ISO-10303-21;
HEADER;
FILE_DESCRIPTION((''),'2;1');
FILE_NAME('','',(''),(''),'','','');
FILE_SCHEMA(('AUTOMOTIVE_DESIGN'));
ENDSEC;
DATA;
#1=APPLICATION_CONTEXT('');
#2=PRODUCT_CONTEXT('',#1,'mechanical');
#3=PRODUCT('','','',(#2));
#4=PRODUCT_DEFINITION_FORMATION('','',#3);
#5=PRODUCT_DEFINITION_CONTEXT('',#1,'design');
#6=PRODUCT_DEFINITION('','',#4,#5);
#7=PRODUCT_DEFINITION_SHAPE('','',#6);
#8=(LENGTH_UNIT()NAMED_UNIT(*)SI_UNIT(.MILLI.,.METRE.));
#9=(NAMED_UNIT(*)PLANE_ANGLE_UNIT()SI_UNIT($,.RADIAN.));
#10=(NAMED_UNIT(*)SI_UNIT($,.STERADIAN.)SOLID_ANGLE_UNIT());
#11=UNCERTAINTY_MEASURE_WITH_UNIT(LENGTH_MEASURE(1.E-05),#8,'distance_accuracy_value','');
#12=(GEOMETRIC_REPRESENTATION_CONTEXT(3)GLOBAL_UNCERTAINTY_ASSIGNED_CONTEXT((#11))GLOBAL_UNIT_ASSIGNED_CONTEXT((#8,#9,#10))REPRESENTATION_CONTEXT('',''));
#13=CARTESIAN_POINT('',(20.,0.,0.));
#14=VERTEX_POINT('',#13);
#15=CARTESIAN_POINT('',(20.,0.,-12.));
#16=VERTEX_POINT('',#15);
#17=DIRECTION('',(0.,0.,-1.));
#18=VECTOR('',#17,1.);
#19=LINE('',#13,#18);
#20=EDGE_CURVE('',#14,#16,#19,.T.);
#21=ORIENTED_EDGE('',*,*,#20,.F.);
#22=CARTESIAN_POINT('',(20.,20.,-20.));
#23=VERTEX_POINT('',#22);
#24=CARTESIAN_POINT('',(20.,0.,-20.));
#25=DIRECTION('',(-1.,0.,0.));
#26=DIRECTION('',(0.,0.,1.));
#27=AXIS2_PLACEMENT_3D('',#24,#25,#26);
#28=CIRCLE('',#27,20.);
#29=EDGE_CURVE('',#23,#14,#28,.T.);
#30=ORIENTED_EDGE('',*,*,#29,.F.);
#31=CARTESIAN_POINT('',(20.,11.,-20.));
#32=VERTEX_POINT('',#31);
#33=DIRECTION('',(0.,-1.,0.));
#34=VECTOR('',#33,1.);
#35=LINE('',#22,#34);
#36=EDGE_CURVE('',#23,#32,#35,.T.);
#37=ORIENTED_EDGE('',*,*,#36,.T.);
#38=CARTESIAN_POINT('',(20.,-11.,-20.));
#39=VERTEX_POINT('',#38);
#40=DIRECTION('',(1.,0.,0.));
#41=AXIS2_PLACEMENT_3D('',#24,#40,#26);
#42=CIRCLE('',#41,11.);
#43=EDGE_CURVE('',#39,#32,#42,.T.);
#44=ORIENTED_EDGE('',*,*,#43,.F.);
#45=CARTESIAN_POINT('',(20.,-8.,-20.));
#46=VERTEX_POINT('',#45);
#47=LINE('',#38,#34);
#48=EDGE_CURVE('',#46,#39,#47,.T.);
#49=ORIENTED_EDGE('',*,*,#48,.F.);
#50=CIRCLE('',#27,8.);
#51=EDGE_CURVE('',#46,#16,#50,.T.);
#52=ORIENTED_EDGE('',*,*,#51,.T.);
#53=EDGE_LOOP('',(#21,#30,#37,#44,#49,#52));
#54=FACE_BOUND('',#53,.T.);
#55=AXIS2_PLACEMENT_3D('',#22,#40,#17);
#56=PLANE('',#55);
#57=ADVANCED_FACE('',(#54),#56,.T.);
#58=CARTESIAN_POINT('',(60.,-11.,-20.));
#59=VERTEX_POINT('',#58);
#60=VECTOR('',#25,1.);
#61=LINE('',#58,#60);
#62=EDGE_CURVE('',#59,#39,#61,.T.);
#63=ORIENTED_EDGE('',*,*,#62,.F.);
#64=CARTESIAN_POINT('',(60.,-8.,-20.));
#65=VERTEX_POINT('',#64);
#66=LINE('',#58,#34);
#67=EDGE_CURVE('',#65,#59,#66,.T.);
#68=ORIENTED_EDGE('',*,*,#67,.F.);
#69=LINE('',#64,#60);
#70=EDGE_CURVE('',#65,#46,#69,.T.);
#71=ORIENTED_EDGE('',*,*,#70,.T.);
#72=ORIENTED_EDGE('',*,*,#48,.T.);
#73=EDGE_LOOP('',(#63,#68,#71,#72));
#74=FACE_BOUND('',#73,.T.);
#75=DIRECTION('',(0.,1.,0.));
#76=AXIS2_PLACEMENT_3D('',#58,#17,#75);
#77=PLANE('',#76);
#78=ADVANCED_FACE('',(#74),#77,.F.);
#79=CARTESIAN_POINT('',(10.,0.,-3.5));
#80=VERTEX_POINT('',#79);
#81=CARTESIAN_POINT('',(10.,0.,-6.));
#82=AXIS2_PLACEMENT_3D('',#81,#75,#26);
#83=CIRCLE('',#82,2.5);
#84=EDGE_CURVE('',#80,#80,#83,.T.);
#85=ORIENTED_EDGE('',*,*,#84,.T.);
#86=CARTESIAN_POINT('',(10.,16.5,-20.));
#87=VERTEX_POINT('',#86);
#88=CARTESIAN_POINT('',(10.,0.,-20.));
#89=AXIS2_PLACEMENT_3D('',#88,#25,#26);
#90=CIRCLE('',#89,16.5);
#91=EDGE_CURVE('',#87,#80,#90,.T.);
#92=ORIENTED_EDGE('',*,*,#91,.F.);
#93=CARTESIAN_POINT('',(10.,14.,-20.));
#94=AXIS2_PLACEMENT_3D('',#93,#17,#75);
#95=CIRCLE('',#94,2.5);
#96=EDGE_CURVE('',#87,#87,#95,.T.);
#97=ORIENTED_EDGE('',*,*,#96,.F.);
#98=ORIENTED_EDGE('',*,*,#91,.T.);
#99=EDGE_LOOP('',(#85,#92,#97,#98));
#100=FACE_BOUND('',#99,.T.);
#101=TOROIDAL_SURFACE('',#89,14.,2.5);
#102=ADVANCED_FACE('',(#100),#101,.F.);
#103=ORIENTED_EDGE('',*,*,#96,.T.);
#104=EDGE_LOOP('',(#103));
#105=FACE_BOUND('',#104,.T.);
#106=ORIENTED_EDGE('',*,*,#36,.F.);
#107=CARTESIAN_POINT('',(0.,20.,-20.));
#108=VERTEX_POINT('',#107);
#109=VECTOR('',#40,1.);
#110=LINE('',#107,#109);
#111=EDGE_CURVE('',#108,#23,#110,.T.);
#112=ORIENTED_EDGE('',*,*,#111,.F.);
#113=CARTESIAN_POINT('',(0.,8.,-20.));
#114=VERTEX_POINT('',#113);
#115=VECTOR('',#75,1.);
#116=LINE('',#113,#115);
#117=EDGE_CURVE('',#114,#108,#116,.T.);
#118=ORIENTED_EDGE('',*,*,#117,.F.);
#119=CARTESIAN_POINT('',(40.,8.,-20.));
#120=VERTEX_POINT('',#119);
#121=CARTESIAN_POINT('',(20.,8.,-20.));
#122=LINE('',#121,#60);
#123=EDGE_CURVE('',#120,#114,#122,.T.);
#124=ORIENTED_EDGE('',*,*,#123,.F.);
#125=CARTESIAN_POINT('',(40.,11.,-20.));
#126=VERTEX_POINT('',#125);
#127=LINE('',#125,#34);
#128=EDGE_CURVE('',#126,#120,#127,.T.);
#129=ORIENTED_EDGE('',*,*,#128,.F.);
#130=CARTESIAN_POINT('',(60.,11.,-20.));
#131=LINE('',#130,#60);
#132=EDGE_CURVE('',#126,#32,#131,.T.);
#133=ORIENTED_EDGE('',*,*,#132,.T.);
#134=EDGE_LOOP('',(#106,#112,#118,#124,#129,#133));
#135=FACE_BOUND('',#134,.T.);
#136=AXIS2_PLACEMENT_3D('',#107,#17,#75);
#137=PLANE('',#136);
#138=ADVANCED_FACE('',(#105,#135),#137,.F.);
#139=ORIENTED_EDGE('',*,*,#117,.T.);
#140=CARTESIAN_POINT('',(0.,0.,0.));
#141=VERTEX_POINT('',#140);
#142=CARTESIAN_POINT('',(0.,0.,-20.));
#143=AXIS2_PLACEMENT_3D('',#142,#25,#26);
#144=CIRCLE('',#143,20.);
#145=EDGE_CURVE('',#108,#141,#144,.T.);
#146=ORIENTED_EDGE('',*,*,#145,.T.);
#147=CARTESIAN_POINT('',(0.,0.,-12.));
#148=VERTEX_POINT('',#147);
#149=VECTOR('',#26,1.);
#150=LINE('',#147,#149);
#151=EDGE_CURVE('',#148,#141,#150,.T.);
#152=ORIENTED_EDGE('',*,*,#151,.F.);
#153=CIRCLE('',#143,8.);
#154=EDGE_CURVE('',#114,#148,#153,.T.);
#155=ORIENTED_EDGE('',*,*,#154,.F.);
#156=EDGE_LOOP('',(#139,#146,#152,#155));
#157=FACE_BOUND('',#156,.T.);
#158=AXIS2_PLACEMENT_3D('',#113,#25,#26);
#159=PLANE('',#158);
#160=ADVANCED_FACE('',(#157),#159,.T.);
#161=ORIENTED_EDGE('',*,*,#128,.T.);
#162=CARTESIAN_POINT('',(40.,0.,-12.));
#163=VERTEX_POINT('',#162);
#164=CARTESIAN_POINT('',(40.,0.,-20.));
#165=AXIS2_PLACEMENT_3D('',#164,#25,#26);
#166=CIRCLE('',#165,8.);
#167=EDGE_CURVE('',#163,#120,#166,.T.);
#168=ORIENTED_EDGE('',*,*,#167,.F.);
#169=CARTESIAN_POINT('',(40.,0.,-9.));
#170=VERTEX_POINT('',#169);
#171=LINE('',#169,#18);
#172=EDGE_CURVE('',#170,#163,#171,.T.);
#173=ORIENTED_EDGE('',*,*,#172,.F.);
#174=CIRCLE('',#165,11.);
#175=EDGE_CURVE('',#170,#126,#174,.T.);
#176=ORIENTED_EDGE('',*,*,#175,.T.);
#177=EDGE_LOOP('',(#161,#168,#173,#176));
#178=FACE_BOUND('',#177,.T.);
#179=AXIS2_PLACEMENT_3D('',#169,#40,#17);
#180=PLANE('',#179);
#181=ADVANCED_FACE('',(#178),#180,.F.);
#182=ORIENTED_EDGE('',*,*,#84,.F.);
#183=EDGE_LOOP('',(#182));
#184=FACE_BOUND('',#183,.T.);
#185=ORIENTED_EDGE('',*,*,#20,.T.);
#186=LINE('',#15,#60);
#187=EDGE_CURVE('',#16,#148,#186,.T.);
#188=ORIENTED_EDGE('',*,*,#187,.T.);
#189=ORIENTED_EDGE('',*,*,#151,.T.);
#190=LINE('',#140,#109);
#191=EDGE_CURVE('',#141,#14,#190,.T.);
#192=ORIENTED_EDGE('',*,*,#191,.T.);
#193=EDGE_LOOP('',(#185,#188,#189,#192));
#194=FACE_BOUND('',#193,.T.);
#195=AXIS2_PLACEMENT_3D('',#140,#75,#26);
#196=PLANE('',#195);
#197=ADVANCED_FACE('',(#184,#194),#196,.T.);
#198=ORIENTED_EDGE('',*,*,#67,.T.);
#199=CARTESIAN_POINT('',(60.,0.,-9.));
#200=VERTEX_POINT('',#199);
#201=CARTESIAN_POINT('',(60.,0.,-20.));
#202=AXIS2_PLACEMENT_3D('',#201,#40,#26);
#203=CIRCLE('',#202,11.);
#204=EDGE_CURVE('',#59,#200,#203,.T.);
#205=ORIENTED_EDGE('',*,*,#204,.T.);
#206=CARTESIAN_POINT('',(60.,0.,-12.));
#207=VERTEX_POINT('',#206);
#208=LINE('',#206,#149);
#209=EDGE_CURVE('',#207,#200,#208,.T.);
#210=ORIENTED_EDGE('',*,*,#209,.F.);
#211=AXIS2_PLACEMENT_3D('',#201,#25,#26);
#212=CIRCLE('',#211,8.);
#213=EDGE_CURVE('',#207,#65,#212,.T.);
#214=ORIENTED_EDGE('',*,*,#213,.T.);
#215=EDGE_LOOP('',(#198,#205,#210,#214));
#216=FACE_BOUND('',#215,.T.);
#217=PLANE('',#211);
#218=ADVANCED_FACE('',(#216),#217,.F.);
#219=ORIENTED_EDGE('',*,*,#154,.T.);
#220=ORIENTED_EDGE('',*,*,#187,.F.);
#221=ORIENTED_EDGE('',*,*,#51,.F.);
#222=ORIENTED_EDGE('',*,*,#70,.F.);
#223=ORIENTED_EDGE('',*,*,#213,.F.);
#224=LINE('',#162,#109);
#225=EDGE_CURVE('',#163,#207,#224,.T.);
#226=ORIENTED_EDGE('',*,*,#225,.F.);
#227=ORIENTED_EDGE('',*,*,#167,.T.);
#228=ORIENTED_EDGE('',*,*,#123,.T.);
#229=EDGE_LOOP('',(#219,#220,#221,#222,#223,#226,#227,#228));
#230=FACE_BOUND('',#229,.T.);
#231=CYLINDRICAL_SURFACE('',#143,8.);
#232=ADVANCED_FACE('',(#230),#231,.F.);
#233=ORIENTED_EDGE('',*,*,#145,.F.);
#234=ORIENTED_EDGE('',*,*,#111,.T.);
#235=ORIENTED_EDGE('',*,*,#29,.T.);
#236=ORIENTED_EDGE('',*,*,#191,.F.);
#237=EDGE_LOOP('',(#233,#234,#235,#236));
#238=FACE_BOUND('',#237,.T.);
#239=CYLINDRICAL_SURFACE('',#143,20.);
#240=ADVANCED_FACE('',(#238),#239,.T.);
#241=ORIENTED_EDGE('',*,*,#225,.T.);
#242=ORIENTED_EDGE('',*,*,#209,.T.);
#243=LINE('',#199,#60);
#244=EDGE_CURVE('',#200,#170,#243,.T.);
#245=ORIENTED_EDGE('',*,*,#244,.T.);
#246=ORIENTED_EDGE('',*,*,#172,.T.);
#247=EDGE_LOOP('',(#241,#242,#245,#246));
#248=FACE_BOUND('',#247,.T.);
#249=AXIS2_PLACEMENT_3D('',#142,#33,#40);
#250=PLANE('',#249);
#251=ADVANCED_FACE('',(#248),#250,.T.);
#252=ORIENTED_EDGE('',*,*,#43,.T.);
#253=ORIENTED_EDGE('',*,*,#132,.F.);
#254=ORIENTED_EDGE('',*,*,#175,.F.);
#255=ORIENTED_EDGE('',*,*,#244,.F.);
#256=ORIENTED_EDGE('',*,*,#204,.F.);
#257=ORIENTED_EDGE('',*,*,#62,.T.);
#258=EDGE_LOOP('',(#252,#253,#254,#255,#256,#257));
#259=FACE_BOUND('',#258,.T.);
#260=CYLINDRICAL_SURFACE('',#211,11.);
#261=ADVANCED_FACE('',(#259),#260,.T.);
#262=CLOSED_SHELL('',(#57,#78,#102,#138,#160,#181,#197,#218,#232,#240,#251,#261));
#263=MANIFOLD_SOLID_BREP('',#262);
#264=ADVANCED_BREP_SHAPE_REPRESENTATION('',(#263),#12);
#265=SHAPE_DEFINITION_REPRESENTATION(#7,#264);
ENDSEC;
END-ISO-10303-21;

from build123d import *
from build123d.topology import SkipClean

# Parameters (mm, degrees)
SKETCH1_W           = 20
SKETCH1_H           = 12
REVOLVE2_ANGLE      = 270
SKETCH4_R           = 2.5
CUT_REVOLVE1_ANGLE  = 270
BOSS_EXTRUDE3_DEPTH = 40
SKETCH10_W          = 20
SKETCH10_H          = 3
REVOLVE4_ANGLE      = 90


with BuildPart() as part:
    # Sketch1 → Revolve2 (revolve)
    with BuildSketch(Plane(origin=(0, 0, 0), x_dir=(1, 0, 0), z_dir=(0, 1, 0))):
        with Locations((10, 6)):
            Rectangle(SKETCH1_W, SKETCH1_H)
    revolve(axis=Axis((0, 0, -20), (1, 0, 0)), revolution_arc=REVOLVE2_ANGLE)

    # Sketch4 → Cut-Revolve1 (revolve, cut)
    with BuildSketch(Plane(origin=(0, 0, 0), x_dir=(1, 0, 0), z_dir=(0, 1, 0))):
        with Locations((10, 6)):
            Circle(SKETCH4_R)
    revolve(axis=Axis((20, 0, -20), (1, 0, 0)), revolution_arc=CUT_REVOLVE1_ANGLE, mode=Mode.SUBTRACT)

    # Sketch9 → Boss-Extrude3 (add)
    with BuildSketch(Plane(origin=(20, 0, 0), x_dir=(0, 0, -1), z_dir=(1, 0, 0))):
        with BuildLine():
            Line((20, -11), (20, -8))
            ThreePointArc((20, -8), (28, 0), (20, 8))
            Line((20, 8), (20, 11))
            ThreePointArc((20, 11), (31, 0), (20, -11))
        make_face()
    extrude(amount=BOSS_EXTRUDE3_DEPTH)

    # Sketch10 → Revolve4 (revolve)
    with SkipClean():  # the faces are left unmerged after this step: merging them gives an invalid solid
        with BuildSketch(Plane.XY.offset(-20)):
            with Locations((50, 9.5)):
                Rectangle(SKETCH10_W, SKETCH10_H)
        revolve(axis=Axis((20, 0, -20), (1, 0, 0)), revolution_arc=REVOLVE4_ANGLE)


solid = part.part
